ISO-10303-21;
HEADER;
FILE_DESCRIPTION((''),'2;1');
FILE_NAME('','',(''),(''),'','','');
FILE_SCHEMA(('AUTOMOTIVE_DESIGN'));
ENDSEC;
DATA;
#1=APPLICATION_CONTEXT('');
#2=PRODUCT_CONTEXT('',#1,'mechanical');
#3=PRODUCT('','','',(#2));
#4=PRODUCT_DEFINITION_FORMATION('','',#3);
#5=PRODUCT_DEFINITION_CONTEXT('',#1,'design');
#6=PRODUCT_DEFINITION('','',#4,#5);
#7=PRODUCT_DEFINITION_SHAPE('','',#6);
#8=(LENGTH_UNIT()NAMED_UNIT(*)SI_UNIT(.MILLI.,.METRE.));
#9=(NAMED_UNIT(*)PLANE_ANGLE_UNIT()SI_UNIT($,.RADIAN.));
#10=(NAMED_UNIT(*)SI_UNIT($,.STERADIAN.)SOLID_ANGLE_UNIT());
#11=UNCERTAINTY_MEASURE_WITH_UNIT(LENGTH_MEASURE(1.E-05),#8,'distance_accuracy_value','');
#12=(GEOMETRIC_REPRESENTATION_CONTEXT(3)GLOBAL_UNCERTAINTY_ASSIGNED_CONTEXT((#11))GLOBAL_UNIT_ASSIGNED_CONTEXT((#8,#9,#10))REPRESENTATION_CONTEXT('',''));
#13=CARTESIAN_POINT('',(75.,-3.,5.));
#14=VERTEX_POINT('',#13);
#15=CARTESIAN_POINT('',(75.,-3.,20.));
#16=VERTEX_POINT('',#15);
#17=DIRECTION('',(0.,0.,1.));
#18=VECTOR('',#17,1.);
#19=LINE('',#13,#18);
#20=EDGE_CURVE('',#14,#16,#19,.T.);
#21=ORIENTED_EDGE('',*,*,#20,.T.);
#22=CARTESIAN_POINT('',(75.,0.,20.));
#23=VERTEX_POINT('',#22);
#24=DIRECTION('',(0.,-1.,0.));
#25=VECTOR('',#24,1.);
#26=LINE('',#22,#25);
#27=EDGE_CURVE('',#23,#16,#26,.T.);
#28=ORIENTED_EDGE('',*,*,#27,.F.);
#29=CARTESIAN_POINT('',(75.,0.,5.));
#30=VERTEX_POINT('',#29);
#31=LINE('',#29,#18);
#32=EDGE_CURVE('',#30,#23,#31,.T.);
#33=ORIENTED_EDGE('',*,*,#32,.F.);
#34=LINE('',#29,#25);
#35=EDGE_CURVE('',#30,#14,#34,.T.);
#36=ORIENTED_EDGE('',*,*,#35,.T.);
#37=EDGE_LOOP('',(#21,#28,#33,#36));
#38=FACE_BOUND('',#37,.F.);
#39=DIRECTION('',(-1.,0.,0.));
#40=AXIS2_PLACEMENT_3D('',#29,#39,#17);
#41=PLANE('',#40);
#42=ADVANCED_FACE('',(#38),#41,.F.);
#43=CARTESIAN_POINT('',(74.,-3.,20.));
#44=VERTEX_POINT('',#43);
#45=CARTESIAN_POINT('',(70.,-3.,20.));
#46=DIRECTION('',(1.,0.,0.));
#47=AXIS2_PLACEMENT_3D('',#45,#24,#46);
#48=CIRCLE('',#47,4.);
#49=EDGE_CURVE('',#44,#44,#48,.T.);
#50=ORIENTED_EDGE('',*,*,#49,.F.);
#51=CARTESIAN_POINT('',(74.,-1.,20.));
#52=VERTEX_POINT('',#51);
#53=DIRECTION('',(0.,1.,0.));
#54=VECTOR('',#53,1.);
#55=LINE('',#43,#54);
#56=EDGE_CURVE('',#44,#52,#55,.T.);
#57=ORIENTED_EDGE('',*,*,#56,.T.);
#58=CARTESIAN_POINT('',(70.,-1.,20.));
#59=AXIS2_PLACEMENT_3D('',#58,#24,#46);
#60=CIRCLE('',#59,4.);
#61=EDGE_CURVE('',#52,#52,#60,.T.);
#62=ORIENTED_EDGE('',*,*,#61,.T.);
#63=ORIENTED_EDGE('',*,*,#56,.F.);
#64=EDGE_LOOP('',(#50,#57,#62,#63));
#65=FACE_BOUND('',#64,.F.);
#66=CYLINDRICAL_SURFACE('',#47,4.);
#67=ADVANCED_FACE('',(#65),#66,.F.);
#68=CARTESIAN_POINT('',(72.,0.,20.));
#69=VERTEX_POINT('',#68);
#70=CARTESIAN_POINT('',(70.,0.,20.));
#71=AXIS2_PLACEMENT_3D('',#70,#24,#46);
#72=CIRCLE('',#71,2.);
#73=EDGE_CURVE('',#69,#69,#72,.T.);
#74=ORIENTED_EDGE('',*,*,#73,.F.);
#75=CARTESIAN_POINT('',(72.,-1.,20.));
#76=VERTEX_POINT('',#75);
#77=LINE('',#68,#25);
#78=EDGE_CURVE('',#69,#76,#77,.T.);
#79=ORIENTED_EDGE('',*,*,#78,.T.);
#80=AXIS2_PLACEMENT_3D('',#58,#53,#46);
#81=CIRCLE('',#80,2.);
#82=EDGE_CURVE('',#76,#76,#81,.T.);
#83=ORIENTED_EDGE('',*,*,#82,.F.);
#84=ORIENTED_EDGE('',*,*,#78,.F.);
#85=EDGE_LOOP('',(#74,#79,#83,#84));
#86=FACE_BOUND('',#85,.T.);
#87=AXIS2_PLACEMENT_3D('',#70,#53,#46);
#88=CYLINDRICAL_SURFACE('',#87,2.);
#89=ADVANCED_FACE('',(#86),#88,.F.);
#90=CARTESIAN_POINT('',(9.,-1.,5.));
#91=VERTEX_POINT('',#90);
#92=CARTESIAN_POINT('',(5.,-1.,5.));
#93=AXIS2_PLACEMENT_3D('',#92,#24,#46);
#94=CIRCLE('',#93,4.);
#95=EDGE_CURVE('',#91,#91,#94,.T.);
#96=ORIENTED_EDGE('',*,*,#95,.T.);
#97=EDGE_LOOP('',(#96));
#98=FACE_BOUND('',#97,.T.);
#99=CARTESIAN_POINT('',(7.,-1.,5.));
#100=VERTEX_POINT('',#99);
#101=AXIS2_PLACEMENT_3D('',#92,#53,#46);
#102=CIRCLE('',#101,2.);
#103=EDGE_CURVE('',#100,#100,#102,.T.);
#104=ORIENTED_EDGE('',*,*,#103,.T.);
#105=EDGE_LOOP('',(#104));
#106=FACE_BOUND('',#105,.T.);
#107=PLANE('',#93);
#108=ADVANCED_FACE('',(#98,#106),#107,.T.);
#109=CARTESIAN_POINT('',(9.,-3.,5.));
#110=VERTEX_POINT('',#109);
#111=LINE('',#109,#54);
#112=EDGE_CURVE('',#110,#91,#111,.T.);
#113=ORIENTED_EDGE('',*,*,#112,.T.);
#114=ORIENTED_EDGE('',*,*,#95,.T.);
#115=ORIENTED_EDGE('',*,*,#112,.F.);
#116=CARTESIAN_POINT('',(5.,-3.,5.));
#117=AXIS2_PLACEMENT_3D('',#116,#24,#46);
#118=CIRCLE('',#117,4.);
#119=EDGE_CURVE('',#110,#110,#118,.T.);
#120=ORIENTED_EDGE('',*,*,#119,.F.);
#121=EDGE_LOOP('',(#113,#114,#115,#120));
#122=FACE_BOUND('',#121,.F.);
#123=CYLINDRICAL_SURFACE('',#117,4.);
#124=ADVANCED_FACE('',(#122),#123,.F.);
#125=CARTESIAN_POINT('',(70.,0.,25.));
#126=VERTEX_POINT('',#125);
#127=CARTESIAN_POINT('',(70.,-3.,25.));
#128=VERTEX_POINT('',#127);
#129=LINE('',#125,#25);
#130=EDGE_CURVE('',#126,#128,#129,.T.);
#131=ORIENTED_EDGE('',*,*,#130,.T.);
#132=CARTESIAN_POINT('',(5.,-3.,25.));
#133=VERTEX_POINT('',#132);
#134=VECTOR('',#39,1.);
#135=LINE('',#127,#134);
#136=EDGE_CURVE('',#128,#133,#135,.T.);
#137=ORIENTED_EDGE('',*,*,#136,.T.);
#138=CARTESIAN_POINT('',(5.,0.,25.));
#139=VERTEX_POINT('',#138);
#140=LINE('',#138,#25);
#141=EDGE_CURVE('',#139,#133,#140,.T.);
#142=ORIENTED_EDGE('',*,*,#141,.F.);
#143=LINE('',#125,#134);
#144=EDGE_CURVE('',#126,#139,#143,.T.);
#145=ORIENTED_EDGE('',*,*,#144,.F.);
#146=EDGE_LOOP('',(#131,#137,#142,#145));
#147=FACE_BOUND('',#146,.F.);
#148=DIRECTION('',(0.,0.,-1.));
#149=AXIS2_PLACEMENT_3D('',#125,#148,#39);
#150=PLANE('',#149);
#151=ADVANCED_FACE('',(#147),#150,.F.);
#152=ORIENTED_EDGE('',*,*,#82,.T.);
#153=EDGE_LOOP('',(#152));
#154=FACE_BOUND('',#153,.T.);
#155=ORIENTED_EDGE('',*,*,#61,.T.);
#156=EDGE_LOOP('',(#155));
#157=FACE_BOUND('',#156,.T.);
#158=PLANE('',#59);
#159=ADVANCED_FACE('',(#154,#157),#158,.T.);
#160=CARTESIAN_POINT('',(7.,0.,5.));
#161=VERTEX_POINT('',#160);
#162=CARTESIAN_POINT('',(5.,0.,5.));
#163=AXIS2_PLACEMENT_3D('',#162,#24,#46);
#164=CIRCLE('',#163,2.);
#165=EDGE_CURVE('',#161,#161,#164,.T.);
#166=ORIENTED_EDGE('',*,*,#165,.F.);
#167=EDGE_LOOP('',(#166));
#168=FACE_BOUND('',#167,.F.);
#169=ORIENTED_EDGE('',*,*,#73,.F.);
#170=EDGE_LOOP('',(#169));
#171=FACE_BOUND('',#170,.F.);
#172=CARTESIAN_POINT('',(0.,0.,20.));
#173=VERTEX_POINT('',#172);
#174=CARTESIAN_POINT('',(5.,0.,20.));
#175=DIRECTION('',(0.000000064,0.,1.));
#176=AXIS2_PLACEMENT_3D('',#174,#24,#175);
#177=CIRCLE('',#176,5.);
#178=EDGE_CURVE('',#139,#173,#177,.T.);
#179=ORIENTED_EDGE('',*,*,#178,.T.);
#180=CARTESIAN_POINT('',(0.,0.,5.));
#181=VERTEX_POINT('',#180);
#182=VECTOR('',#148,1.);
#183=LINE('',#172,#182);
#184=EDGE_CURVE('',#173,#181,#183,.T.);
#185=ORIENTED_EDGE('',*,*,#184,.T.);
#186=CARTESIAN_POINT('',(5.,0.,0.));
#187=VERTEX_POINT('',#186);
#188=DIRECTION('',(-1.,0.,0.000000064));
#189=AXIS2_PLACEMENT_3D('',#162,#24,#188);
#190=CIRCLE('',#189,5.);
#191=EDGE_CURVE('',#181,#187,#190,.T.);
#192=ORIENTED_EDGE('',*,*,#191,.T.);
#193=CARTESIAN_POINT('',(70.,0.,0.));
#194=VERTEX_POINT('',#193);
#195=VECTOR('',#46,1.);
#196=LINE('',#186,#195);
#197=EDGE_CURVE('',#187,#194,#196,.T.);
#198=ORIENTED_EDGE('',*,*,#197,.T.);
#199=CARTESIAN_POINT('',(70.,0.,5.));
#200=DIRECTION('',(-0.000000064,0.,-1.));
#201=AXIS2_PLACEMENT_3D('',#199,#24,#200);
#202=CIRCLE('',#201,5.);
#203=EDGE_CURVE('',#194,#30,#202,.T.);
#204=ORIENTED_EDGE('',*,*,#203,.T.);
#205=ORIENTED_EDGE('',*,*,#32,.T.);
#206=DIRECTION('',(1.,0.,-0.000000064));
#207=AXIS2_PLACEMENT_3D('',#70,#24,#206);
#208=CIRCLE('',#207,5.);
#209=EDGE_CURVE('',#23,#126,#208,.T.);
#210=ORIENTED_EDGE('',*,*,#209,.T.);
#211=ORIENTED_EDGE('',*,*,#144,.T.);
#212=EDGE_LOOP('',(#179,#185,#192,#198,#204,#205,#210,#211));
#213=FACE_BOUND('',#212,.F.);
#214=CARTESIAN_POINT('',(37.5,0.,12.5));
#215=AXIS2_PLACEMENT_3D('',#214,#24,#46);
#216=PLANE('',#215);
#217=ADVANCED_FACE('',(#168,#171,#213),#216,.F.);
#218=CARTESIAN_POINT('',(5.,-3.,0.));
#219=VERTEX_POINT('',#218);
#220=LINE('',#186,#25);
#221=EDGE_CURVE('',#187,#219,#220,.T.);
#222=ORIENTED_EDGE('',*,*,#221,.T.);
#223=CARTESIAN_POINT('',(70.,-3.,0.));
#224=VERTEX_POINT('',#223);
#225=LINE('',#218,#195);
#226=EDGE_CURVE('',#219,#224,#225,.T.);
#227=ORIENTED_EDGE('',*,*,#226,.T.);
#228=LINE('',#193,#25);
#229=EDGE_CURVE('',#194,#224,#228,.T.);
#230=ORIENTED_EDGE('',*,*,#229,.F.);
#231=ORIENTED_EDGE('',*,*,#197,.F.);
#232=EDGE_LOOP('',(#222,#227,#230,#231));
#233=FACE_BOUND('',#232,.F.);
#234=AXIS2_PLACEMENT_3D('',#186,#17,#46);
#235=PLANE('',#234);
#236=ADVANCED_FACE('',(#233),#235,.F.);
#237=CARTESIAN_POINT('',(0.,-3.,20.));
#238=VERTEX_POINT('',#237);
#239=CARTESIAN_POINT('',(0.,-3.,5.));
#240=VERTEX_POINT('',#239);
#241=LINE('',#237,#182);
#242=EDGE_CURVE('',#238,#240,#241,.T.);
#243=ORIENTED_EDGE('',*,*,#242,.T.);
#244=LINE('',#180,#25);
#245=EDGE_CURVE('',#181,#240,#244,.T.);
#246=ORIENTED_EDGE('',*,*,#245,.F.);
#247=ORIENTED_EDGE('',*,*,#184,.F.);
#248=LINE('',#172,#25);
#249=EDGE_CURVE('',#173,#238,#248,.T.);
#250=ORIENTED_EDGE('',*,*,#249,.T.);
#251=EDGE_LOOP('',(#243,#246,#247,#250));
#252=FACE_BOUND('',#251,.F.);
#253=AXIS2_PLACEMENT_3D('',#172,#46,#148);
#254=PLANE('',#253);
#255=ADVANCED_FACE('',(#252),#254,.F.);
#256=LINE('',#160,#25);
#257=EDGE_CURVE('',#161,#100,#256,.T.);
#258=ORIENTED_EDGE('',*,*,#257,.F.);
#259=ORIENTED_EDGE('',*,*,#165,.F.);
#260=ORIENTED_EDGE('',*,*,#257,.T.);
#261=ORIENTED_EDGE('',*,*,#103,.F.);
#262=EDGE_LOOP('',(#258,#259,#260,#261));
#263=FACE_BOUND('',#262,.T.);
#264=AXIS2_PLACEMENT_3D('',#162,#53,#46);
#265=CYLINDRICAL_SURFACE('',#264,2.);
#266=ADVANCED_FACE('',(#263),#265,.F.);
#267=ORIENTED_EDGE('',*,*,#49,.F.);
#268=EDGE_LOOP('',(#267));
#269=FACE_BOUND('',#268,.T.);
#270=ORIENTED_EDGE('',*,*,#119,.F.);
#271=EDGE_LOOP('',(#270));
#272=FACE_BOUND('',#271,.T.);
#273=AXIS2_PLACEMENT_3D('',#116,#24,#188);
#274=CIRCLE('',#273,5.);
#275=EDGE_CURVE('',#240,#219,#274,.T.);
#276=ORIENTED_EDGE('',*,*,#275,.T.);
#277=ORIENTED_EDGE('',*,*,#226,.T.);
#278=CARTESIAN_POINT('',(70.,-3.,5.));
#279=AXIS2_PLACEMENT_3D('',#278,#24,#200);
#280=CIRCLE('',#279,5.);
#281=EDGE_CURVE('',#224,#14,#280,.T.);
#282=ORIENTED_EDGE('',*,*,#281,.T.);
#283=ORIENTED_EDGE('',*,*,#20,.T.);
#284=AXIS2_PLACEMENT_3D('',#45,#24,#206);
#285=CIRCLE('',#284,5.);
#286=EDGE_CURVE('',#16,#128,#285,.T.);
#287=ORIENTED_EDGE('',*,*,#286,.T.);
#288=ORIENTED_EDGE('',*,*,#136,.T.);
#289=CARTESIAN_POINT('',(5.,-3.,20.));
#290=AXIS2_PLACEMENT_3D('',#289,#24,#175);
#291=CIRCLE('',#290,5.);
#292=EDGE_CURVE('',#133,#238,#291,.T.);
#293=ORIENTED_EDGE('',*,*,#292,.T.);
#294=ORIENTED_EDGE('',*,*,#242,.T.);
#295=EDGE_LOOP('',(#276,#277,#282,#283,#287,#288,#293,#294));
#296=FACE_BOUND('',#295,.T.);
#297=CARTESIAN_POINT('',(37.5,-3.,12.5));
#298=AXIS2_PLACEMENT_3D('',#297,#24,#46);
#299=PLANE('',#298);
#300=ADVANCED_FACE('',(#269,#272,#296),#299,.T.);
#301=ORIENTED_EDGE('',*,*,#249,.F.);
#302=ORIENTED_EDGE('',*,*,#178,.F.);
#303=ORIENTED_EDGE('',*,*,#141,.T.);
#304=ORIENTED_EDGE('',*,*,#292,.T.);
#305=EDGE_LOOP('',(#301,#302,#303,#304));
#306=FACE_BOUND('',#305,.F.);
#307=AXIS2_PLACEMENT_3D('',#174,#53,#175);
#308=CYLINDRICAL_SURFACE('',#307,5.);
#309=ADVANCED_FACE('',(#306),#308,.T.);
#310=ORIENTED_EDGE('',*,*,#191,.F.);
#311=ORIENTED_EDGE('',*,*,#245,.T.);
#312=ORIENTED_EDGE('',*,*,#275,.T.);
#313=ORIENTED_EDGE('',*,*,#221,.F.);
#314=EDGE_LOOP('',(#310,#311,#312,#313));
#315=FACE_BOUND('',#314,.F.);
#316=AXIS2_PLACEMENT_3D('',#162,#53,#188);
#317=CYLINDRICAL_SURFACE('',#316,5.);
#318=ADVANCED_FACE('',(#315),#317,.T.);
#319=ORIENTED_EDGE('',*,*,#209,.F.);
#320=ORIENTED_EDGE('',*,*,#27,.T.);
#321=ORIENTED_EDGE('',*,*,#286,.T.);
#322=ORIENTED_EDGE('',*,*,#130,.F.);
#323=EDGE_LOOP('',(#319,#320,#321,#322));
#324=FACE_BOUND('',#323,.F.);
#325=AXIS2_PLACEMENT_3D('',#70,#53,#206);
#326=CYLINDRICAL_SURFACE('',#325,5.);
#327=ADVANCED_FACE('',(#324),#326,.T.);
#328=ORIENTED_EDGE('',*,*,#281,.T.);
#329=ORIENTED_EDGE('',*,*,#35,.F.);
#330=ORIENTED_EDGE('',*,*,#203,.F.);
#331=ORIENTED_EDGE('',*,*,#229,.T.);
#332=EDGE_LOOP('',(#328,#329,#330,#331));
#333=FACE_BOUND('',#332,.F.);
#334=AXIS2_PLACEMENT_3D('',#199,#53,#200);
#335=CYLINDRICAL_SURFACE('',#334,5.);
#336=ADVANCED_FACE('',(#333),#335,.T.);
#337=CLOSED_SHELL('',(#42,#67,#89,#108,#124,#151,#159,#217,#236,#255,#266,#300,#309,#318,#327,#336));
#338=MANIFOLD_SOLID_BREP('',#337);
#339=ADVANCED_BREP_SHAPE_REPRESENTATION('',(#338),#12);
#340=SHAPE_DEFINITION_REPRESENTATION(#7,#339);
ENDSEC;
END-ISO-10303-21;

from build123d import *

# Parameters (mm, degrees)
F0_R     = 2
F1_DEPTH = 3
F2_R     = 4
F3_DEPTH = 2


with BuildPart() as f1:
    # F0 (on Front) → F1 (new body)
    with BuildSketch(Plane.XZ):
        with BuildLine():
            ThreePointArc((0, 5), (1.464466, 1.464466), (5, 0))
            Line((5, 0), (70, 0))
            ThreePointArc((70, 0), (73.535534, 1.464466), (75, 5))
            Line((75, 5), (75, 20))
            ThreePointArc((75, 20), (73.535534, 23.535534), (70, 25))
            Line((70, 25), (5, 25))
            ThreePointArc((5, 25), (1.464466, 23.535534), (0, 20))
            Line((0, 20), (0, 5))
        make_face()
        with Locations((5, 5)):
            Circle(F0_R, mode=Mode.SUBTRACT)
        with Locations((70, 20)):
            Circle(F0_R, mode=Mode.SUBTRACT)
    extrude(amount=F1_DEPTH)

    # F2 (on face) → F3 (cut)
    with BuildSketch(Plane.XZ.offset(3)):
        with Locations((5, 5)):
            Circle(F2_R)
        with Locations((70, 20)):
            Circle(F2_R)
    extrude(amount=-F3_DEPTH, mode=Mode.SUBTRACT)


solid = f1.part
